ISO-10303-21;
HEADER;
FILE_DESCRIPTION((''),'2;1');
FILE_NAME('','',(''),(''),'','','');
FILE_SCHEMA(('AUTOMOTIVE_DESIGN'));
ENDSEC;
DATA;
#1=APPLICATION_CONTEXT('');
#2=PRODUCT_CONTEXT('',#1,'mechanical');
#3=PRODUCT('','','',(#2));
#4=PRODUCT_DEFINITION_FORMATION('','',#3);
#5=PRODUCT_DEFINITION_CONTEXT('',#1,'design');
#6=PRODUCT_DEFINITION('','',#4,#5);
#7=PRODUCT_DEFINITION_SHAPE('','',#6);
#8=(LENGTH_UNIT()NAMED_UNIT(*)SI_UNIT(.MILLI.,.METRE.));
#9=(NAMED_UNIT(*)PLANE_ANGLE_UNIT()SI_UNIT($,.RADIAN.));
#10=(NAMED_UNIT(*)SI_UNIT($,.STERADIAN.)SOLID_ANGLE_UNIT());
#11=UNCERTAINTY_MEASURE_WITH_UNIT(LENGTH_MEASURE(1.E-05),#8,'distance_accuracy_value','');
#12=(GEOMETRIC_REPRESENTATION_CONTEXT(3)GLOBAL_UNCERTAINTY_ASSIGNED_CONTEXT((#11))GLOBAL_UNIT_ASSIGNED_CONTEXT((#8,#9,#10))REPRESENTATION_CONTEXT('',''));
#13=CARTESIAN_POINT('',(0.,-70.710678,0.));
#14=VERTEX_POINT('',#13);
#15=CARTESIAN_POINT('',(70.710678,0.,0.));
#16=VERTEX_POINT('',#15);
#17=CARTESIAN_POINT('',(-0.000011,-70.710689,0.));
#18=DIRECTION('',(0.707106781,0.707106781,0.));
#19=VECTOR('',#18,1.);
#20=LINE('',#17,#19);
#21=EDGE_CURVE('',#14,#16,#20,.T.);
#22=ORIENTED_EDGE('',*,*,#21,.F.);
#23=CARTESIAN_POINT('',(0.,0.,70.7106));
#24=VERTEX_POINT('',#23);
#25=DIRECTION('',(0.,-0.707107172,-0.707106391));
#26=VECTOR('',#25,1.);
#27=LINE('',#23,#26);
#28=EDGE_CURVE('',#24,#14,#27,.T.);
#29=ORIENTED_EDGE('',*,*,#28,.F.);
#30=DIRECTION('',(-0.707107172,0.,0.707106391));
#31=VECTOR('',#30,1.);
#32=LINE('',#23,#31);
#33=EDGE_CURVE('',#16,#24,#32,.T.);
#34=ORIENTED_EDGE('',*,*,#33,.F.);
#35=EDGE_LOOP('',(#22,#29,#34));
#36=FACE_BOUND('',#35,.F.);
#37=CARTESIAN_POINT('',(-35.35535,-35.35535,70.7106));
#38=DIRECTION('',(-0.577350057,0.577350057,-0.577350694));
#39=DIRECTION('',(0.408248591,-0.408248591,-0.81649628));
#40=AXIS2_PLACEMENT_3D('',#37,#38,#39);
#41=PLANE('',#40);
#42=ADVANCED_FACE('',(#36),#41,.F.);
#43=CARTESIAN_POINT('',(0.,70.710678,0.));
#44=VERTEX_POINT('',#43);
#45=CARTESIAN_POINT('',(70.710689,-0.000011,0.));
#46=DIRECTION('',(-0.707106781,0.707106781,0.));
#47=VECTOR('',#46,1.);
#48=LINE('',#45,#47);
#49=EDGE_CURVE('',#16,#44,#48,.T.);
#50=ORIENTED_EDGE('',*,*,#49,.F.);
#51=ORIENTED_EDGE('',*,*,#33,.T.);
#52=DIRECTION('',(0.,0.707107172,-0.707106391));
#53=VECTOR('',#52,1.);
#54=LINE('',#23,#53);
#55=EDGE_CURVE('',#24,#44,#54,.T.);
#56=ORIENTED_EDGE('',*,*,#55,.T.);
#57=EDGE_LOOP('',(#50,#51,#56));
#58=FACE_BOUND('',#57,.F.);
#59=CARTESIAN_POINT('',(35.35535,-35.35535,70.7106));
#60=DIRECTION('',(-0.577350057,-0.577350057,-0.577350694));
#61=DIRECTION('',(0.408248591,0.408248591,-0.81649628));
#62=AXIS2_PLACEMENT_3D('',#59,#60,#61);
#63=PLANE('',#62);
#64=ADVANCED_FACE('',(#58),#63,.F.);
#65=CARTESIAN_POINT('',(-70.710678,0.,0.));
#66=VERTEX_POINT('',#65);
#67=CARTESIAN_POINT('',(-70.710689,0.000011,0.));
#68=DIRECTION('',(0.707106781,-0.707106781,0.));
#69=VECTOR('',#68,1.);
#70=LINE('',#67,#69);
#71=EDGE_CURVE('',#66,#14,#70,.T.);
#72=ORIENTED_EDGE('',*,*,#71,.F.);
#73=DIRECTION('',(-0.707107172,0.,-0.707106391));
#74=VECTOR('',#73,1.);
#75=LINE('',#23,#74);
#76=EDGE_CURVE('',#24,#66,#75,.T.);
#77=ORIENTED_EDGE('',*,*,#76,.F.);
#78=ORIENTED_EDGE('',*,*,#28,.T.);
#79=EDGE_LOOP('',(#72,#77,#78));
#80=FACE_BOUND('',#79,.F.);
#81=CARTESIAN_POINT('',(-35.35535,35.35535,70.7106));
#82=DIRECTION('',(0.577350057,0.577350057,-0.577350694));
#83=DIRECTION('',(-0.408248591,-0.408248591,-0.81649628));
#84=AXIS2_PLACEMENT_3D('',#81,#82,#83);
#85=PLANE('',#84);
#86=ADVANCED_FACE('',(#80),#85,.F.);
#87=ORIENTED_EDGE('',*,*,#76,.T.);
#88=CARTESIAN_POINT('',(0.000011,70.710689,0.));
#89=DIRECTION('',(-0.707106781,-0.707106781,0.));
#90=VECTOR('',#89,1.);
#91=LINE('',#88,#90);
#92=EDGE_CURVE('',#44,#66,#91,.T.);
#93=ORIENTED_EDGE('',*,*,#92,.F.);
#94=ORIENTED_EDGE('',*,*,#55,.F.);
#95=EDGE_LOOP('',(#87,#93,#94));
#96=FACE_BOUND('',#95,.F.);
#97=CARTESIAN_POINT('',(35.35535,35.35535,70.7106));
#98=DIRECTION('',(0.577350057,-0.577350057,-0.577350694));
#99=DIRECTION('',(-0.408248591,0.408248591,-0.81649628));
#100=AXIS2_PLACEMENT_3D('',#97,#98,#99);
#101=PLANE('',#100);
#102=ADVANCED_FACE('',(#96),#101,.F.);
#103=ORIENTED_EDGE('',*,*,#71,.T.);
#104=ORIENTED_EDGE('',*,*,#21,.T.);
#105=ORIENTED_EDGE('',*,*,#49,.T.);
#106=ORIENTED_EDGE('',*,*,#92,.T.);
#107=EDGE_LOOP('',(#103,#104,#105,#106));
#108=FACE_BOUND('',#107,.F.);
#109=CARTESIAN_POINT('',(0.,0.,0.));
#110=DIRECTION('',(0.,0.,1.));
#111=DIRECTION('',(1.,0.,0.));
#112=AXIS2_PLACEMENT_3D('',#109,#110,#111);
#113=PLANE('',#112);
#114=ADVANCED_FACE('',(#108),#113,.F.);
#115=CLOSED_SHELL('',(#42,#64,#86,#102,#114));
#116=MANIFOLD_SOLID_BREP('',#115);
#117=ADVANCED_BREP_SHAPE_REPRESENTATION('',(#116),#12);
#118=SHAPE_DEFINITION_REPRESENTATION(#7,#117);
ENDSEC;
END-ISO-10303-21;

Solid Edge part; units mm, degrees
sketch "Sketch1" plane through (0, 0, 0) normal (0, 0, 1) x (1, 0, 0)
  line L0 (0, -70.7107) -> (70.7107, 0)
  line L1 (70.7107, 0) -> (0, 70.7107)
  line L2 (0, 70.7107) -> (-70.7107, 0)
  line L3 (-70.7107, 0) -> (0, -70.7107)
extrude "Protrusion1" add sketch "Sketch1" along normal up to vertex (70.7107 mm away)
sketch "Sketch2" plane through (-35.3553, -35.3553, 35.3553) normal (-0.7071, -0.7071, 0) x (0.7071, -0.7071, 0)
  line L0 (0, 35.3553) -> (50, -35.3553)
extrude "Cutout1" cut sketch "Sketch2" against normal up to next material side at (-17.6488, -53.0618, 35.3842)
pattern_circular "Pattern1" count 4 over 360 about axis through (0, 0, 70.7107) along (0, 0, -1) of "Cutout1"
